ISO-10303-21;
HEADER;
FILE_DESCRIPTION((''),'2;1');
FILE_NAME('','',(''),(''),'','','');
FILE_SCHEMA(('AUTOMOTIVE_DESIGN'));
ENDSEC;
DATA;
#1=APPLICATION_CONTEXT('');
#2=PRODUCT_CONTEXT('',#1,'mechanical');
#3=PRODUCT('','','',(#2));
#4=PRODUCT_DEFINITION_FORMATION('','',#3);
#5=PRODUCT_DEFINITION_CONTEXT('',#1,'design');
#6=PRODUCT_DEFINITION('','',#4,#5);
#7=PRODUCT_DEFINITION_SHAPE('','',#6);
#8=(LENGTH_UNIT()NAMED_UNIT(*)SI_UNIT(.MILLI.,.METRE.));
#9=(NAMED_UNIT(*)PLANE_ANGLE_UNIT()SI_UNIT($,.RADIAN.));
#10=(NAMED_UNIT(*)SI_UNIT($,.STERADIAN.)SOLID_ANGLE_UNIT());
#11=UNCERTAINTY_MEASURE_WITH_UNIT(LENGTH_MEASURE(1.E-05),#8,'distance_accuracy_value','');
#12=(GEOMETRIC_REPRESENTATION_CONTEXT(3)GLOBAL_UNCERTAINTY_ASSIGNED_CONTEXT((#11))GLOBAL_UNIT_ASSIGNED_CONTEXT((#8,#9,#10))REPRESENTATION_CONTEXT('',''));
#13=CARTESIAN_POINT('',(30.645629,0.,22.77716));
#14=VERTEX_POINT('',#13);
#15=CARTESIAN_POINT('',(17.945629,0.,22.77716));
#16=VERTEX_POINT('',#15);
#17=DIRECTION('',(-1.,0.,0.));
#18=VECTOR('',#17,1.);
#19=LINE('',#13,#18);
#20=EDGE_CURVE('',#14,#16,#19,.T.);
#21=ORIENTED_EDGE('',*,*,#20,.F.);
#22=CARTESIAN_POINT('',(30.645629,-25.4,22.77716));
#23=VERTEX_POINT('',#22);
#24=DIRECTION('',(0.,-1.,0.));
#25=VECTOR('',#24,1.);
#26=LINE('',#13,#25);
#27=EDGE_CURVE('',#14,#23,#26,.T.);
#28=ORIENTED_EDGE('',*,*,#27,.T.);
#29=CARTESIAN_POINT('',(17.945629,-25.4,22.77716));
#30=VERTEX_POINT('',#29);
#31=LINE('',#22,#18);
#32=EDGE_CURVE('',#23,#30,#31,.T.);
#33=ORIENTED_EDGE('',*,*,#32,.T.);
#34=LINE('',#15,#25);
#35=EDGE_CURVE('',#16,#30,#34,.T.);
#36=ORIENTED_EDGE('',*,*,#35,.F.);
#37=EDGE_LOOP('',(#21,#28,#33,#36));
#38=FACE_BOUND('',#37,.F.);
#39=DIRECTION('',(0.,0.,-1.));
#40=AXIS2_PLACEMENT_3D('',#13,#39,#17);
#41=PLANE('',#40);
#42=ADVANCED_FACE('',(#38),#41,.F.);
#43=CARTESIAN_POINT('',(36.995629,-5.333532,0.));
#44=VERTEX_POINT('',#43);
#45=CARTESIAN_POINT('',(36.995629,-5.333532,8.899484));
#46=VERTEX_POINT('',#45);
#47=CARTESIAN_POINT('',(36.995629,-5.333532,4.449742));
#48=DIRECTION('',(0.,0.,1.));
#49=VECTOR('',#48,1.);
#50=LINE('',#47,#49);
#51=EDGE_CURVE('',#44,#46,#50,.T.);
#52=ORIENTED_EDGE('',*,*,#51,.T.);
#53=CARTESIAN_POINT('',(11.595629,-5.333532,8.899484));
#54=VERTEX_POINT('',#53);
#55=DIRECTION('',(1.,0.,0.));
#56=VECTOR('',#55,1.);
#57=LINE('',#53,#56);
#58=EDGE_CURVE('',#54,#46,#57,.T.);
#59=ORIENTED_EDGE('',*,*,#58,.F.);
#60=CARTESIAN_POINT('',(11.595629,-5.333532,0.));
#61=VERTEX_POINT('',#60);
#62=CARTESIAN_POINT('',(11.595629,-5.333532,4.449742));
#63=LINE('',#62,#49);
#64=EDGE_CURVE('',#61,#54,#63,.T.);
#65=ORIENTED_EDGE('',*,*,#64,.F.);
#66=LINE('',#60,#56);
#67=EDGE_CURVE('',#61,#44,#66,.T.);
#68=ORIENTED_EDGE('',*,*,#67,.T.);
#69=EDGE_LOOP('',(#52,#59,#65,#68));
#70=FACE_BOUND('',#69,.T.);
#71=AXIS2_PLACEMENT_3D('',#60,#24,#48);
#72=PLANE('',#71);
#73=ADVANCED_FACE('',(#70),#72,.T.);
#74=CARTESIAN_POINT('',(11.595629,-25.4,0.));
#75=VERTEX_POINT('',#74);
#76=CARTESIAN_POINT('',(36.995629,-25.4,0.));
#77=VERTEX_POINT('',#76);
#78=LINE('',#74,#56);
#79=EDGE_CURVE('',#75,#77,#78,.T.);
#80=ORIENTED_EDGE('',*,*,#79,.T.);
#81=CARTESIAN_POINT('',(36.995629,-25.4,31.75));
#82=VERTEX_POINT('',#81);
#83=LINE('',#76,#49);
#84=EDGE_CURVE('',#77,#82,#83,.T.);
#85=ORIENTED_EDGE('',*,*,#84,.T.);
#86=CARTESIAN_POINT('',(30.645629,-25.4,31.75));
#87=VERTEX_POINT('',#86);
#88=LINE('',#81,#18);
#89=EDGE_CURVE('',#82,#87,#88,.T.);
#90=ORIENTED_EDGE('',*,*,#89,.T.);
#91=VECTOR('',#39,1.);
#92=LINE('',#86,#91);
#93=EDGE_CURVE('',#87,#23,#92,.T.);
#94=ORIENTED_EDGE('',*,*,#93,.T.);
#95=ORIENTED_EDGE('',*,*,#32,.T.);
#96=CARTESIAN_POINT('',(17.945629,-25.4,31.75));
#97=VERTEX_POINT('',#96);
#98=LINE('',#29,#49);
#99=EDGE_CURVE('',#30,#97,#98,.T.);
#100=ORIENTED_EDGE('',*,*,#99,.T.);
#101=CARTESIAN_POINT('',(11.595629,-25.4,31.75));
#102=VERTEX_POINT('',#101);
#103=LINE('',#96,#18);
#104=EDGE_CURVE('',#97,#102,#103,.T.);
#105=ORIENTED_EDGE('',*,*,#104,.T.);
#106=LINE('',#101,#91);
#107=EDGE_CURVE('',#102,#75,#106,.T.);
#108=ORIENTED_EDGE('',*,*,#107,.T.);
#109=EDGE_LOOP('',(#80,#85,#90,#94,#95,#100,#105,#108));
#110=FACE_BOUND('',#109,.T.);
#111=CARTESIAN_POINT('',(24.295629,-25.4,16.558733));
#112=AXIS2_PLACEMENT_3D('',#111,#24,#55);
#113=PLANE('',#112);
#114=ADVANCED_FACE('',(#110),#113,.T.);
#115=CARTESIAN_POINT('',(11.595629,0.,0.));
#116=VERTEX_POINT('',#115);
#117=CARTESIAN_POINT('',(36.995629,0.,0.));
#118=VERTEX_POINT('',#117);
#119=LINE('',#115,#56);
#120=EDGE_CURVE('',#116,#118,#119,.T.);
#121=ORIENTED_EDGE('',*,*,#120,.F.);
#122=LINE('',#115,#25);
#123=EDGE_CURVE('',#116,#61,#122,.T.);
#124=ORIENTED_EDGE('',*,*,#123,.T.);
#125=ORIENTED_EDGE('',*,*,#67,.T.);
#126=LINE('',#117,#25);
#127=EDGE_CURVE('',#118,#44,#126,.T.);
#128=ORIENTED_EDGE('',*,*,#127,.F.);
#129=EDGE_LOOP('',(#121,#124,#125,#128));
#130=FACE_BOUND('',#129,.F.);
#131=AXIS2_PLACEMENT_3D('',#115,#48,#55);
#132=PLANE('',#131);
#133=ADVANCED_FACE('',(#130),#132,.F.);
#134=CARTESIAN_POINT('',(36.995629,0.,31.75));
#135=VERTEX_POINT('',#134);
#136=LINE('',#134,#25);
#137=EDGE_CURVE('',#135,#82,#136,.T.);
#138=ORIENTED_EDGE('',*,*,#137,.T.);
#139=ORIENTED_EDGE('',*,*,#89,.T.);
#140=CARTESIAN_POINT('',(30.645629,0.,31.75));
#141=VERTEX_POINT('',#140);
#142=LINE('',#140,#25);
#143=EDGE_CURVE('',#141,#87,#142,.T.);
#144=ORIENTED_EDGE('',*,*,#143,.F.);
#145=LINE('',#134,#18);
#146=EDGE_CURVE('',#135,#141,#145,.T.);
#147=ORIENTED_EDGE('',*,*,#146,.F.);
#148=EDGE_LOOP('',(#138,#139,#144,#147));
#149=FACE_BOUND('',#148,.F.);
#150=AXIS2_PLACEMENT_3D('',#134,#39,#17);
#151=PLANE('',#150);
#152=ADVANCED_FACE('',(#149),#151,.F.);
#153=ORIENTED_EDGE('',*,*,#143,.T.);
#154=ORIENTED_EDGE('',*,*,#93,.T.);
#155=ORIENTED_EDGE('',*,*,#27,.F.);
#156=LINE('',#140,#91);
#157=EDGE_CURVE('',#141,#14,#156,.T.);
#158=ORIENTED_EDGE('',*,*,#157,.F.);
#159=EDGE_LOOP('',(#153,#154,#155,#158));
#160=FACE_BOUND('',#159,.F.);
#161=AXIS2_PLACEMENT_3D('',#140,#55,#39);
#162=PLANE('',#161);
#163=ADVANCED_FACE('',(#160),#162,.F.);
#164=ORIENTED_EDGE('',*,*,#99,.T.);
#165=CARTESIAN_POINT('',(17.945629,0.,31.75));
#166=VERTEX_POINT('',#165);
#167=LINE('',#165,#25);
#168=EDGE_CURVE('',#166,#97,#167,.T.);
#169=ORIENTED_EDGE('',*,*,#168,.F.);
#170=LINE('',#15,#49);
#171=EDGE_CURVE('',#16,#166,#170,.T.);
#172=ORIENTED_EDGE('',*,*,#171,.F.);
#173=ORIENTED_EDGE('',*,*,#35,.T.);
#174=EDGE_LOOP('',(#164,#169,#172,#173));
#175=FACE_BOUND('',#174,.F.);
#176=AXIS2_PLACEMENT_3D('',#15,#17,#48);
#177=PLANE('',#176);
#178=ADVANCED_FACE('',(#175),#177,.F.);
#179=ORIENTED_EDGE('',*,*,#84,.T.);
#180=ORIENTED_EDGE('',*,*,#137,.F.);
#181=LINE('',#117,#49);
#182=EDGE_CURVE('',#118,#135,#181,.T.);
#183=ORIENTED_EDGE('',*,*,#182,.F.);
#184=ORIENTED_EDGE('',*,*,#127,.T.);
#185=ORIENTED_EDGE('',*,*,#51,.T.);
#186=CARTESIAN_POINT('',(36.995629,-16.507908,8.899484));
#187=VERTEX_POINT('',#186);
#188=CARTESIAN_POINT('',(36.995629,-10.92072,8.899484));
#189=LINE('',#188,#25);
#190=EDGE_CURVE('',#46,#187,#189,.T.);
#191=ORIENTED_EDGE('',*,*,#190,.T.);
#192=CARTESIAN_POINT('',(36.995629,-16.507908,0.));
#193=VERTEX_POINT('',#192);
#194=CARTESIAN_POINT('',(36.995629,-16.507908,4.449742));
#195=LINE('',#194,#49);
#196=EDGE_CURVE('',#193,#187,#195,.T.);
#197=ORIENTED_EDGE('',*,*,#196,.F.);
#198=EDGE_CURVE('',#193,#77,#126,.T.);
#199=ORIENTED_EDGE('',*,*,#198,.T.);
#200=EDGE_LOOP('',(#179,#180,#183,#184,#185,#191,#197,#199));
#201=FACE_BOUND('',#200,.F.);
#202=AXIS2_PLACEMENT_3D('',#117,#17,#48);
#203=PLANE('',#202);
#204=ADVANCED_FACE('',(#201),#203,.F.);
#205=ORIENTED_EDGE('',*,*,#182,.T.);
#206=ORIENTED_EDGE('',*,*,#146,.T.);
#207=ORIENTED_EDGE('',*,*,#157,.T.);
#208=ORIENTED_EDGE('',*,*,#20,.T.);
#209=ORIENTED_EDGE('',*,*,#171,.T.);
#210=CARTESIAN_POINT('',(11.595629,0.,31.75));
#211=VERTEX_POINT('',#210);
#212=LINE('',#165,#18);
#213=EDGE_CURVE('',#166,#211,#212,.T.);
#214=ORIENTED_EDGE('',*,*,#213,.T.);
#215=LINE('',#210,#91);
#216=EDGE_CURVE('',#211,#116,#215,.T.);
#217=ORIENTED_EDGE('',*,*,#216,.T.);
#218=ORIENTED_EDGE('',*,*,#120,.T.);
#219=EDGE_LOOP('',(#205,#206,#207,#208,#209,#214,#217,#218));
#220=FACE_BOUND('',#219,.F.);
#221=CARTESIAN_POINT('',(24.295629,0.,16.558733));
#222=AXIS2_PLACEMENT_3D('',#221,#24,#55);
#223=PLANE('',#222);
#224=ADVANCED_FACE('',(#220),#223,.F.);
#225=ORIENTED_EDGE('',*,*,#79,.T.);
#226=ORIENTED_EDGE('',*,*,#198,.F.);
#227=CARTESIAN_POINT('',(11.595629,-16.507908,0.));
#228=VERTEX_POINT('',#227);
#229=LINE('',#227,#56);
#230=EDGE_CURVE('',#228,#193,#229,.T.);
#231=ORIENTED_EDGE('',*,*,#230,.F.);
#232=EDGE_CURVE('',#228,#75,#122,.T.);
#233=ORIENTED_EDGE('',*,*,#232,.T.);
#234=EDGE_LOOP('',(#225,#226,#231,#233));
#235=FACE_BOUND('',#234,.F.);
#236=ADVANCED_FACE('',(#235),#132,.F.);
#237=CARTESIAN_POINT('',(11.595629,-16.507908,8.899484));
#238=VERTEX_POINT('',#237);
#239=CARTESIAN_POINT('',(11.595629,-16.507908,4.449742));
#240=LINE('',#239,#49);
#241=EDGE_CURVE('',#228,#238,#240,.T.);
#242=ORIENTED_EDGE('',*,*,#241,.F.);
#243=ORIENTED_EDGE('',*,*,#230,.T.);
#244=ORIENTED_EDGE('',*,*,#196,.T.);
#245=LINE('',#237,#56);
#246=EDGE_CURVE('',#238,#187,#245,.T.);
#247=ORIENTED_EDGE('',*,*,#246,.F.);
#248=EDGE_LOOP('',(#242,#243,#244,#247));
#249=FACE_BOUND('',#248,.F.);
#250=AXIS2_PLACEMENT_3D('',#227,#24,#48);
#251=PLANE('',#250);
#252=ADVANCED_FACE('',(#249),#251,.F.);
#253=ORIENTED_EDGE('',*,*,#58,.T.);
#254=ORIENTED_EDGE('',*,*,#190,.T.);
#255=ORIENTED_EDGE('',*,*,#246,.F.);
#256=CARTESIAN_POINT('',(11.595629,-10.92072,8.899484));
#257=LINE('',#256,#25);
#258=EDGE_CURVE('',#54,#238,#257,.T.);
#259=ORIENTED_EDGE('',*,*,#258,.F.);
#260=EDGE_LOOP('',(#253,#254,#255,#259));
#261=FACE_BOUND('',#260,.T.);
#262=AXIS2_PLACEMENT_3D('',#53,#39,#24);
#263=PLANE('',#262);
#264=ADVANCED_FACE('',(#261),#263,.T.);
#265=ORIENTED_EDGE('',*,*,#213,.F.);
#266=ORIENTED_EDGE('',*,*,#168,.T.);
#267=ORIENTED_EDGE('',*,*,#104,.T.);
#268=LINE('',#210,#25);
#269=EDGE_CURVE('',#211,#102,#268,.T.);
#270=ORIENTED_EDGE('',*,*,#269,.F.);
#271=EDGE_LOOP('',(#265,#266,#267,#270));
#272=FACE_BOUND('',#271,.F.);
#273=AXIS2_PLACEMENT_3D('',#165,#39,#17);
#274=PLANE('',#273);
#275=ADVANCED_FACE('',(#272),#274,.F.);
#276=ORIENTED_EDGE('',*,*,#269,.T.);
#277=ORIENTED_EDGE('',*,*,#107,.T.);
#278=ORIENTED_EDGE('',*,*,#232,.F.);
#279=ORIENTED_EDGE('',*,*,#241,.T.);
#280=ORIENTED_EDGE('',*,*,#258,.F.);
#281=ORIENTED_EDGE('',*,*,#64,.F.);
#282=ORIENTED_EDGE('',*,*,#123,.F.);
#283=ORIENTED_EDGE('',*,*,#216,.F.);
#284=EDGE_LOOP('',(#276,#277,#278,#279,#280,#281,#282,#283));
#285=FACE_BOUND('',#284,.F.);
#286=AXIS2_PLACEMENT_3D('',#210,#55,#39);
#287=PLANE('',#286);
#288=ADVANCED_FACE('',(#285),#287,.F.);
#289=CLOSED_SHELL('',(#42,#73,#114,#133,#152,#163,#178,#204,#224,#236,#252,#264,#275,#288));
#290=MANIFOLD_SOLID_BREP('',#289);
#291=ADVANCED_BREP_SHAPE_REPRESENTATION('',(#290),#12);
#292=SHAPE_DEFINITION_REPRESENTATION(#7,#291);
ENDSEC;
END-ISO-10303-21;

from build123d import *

# Parameters (mm, degrees)
F1_DEPTH = 25.4
F2_W     = 10.244804
F2_H     = 5.900593
F3_DEPTH = 12.7
F4_DEPTH = 12.7
F5_W     = 11.174377
F5_H     = 8.899484
F6_DEPTH = 25.4


with BuildPart() as f1:
    # F0 (on Front) → F1 (new body)
    with BuildSketch(Plane.XZ):
        Polygon((11.595629, 31.75), (11.595629, 0), (36.995629, 0), (36.995629, 31.75), (30.645629, 31.75), (30.645629, 22.77716), (17.945629, 22.77716), (17.945629, 31.75), align=None)
    extrude(amount=F1_DEPTH)

    # F2 (on Right) → F3 (cut)
    with BuildSketch(Plane.YZ):
        with Locations((-12.251601, 2.950296)):
            Rectangle(F2_W, F2_H)
    extrude(amount=-F3_DEPTH, mode=Mode.SUBTRACT)

    # F2 (on Right) → F4 (cut)
    with BuildSketch(Plane.YZ):
        with Locations((-12.251601, 2.950296)):
            Rectangle(F2_W, F2_H)
    extrude(amount=-F4_DEPTH, mode=Mode.SUBTRACT)

    # F5 (on face) → F6 (cut)
    with BuildSketch(Plane(origin=(11.595629, 0, 0), x_dir=(0, -1, 0), z_dir=(-1, 0, 0))):
        with Locations((10.92072, 4.449742)):
            Rectangle(F5_W, F5_H)
    extrude(amount=-F6_DEPTH, mode=Mode.SUBTRACT)


solid = f1.part
